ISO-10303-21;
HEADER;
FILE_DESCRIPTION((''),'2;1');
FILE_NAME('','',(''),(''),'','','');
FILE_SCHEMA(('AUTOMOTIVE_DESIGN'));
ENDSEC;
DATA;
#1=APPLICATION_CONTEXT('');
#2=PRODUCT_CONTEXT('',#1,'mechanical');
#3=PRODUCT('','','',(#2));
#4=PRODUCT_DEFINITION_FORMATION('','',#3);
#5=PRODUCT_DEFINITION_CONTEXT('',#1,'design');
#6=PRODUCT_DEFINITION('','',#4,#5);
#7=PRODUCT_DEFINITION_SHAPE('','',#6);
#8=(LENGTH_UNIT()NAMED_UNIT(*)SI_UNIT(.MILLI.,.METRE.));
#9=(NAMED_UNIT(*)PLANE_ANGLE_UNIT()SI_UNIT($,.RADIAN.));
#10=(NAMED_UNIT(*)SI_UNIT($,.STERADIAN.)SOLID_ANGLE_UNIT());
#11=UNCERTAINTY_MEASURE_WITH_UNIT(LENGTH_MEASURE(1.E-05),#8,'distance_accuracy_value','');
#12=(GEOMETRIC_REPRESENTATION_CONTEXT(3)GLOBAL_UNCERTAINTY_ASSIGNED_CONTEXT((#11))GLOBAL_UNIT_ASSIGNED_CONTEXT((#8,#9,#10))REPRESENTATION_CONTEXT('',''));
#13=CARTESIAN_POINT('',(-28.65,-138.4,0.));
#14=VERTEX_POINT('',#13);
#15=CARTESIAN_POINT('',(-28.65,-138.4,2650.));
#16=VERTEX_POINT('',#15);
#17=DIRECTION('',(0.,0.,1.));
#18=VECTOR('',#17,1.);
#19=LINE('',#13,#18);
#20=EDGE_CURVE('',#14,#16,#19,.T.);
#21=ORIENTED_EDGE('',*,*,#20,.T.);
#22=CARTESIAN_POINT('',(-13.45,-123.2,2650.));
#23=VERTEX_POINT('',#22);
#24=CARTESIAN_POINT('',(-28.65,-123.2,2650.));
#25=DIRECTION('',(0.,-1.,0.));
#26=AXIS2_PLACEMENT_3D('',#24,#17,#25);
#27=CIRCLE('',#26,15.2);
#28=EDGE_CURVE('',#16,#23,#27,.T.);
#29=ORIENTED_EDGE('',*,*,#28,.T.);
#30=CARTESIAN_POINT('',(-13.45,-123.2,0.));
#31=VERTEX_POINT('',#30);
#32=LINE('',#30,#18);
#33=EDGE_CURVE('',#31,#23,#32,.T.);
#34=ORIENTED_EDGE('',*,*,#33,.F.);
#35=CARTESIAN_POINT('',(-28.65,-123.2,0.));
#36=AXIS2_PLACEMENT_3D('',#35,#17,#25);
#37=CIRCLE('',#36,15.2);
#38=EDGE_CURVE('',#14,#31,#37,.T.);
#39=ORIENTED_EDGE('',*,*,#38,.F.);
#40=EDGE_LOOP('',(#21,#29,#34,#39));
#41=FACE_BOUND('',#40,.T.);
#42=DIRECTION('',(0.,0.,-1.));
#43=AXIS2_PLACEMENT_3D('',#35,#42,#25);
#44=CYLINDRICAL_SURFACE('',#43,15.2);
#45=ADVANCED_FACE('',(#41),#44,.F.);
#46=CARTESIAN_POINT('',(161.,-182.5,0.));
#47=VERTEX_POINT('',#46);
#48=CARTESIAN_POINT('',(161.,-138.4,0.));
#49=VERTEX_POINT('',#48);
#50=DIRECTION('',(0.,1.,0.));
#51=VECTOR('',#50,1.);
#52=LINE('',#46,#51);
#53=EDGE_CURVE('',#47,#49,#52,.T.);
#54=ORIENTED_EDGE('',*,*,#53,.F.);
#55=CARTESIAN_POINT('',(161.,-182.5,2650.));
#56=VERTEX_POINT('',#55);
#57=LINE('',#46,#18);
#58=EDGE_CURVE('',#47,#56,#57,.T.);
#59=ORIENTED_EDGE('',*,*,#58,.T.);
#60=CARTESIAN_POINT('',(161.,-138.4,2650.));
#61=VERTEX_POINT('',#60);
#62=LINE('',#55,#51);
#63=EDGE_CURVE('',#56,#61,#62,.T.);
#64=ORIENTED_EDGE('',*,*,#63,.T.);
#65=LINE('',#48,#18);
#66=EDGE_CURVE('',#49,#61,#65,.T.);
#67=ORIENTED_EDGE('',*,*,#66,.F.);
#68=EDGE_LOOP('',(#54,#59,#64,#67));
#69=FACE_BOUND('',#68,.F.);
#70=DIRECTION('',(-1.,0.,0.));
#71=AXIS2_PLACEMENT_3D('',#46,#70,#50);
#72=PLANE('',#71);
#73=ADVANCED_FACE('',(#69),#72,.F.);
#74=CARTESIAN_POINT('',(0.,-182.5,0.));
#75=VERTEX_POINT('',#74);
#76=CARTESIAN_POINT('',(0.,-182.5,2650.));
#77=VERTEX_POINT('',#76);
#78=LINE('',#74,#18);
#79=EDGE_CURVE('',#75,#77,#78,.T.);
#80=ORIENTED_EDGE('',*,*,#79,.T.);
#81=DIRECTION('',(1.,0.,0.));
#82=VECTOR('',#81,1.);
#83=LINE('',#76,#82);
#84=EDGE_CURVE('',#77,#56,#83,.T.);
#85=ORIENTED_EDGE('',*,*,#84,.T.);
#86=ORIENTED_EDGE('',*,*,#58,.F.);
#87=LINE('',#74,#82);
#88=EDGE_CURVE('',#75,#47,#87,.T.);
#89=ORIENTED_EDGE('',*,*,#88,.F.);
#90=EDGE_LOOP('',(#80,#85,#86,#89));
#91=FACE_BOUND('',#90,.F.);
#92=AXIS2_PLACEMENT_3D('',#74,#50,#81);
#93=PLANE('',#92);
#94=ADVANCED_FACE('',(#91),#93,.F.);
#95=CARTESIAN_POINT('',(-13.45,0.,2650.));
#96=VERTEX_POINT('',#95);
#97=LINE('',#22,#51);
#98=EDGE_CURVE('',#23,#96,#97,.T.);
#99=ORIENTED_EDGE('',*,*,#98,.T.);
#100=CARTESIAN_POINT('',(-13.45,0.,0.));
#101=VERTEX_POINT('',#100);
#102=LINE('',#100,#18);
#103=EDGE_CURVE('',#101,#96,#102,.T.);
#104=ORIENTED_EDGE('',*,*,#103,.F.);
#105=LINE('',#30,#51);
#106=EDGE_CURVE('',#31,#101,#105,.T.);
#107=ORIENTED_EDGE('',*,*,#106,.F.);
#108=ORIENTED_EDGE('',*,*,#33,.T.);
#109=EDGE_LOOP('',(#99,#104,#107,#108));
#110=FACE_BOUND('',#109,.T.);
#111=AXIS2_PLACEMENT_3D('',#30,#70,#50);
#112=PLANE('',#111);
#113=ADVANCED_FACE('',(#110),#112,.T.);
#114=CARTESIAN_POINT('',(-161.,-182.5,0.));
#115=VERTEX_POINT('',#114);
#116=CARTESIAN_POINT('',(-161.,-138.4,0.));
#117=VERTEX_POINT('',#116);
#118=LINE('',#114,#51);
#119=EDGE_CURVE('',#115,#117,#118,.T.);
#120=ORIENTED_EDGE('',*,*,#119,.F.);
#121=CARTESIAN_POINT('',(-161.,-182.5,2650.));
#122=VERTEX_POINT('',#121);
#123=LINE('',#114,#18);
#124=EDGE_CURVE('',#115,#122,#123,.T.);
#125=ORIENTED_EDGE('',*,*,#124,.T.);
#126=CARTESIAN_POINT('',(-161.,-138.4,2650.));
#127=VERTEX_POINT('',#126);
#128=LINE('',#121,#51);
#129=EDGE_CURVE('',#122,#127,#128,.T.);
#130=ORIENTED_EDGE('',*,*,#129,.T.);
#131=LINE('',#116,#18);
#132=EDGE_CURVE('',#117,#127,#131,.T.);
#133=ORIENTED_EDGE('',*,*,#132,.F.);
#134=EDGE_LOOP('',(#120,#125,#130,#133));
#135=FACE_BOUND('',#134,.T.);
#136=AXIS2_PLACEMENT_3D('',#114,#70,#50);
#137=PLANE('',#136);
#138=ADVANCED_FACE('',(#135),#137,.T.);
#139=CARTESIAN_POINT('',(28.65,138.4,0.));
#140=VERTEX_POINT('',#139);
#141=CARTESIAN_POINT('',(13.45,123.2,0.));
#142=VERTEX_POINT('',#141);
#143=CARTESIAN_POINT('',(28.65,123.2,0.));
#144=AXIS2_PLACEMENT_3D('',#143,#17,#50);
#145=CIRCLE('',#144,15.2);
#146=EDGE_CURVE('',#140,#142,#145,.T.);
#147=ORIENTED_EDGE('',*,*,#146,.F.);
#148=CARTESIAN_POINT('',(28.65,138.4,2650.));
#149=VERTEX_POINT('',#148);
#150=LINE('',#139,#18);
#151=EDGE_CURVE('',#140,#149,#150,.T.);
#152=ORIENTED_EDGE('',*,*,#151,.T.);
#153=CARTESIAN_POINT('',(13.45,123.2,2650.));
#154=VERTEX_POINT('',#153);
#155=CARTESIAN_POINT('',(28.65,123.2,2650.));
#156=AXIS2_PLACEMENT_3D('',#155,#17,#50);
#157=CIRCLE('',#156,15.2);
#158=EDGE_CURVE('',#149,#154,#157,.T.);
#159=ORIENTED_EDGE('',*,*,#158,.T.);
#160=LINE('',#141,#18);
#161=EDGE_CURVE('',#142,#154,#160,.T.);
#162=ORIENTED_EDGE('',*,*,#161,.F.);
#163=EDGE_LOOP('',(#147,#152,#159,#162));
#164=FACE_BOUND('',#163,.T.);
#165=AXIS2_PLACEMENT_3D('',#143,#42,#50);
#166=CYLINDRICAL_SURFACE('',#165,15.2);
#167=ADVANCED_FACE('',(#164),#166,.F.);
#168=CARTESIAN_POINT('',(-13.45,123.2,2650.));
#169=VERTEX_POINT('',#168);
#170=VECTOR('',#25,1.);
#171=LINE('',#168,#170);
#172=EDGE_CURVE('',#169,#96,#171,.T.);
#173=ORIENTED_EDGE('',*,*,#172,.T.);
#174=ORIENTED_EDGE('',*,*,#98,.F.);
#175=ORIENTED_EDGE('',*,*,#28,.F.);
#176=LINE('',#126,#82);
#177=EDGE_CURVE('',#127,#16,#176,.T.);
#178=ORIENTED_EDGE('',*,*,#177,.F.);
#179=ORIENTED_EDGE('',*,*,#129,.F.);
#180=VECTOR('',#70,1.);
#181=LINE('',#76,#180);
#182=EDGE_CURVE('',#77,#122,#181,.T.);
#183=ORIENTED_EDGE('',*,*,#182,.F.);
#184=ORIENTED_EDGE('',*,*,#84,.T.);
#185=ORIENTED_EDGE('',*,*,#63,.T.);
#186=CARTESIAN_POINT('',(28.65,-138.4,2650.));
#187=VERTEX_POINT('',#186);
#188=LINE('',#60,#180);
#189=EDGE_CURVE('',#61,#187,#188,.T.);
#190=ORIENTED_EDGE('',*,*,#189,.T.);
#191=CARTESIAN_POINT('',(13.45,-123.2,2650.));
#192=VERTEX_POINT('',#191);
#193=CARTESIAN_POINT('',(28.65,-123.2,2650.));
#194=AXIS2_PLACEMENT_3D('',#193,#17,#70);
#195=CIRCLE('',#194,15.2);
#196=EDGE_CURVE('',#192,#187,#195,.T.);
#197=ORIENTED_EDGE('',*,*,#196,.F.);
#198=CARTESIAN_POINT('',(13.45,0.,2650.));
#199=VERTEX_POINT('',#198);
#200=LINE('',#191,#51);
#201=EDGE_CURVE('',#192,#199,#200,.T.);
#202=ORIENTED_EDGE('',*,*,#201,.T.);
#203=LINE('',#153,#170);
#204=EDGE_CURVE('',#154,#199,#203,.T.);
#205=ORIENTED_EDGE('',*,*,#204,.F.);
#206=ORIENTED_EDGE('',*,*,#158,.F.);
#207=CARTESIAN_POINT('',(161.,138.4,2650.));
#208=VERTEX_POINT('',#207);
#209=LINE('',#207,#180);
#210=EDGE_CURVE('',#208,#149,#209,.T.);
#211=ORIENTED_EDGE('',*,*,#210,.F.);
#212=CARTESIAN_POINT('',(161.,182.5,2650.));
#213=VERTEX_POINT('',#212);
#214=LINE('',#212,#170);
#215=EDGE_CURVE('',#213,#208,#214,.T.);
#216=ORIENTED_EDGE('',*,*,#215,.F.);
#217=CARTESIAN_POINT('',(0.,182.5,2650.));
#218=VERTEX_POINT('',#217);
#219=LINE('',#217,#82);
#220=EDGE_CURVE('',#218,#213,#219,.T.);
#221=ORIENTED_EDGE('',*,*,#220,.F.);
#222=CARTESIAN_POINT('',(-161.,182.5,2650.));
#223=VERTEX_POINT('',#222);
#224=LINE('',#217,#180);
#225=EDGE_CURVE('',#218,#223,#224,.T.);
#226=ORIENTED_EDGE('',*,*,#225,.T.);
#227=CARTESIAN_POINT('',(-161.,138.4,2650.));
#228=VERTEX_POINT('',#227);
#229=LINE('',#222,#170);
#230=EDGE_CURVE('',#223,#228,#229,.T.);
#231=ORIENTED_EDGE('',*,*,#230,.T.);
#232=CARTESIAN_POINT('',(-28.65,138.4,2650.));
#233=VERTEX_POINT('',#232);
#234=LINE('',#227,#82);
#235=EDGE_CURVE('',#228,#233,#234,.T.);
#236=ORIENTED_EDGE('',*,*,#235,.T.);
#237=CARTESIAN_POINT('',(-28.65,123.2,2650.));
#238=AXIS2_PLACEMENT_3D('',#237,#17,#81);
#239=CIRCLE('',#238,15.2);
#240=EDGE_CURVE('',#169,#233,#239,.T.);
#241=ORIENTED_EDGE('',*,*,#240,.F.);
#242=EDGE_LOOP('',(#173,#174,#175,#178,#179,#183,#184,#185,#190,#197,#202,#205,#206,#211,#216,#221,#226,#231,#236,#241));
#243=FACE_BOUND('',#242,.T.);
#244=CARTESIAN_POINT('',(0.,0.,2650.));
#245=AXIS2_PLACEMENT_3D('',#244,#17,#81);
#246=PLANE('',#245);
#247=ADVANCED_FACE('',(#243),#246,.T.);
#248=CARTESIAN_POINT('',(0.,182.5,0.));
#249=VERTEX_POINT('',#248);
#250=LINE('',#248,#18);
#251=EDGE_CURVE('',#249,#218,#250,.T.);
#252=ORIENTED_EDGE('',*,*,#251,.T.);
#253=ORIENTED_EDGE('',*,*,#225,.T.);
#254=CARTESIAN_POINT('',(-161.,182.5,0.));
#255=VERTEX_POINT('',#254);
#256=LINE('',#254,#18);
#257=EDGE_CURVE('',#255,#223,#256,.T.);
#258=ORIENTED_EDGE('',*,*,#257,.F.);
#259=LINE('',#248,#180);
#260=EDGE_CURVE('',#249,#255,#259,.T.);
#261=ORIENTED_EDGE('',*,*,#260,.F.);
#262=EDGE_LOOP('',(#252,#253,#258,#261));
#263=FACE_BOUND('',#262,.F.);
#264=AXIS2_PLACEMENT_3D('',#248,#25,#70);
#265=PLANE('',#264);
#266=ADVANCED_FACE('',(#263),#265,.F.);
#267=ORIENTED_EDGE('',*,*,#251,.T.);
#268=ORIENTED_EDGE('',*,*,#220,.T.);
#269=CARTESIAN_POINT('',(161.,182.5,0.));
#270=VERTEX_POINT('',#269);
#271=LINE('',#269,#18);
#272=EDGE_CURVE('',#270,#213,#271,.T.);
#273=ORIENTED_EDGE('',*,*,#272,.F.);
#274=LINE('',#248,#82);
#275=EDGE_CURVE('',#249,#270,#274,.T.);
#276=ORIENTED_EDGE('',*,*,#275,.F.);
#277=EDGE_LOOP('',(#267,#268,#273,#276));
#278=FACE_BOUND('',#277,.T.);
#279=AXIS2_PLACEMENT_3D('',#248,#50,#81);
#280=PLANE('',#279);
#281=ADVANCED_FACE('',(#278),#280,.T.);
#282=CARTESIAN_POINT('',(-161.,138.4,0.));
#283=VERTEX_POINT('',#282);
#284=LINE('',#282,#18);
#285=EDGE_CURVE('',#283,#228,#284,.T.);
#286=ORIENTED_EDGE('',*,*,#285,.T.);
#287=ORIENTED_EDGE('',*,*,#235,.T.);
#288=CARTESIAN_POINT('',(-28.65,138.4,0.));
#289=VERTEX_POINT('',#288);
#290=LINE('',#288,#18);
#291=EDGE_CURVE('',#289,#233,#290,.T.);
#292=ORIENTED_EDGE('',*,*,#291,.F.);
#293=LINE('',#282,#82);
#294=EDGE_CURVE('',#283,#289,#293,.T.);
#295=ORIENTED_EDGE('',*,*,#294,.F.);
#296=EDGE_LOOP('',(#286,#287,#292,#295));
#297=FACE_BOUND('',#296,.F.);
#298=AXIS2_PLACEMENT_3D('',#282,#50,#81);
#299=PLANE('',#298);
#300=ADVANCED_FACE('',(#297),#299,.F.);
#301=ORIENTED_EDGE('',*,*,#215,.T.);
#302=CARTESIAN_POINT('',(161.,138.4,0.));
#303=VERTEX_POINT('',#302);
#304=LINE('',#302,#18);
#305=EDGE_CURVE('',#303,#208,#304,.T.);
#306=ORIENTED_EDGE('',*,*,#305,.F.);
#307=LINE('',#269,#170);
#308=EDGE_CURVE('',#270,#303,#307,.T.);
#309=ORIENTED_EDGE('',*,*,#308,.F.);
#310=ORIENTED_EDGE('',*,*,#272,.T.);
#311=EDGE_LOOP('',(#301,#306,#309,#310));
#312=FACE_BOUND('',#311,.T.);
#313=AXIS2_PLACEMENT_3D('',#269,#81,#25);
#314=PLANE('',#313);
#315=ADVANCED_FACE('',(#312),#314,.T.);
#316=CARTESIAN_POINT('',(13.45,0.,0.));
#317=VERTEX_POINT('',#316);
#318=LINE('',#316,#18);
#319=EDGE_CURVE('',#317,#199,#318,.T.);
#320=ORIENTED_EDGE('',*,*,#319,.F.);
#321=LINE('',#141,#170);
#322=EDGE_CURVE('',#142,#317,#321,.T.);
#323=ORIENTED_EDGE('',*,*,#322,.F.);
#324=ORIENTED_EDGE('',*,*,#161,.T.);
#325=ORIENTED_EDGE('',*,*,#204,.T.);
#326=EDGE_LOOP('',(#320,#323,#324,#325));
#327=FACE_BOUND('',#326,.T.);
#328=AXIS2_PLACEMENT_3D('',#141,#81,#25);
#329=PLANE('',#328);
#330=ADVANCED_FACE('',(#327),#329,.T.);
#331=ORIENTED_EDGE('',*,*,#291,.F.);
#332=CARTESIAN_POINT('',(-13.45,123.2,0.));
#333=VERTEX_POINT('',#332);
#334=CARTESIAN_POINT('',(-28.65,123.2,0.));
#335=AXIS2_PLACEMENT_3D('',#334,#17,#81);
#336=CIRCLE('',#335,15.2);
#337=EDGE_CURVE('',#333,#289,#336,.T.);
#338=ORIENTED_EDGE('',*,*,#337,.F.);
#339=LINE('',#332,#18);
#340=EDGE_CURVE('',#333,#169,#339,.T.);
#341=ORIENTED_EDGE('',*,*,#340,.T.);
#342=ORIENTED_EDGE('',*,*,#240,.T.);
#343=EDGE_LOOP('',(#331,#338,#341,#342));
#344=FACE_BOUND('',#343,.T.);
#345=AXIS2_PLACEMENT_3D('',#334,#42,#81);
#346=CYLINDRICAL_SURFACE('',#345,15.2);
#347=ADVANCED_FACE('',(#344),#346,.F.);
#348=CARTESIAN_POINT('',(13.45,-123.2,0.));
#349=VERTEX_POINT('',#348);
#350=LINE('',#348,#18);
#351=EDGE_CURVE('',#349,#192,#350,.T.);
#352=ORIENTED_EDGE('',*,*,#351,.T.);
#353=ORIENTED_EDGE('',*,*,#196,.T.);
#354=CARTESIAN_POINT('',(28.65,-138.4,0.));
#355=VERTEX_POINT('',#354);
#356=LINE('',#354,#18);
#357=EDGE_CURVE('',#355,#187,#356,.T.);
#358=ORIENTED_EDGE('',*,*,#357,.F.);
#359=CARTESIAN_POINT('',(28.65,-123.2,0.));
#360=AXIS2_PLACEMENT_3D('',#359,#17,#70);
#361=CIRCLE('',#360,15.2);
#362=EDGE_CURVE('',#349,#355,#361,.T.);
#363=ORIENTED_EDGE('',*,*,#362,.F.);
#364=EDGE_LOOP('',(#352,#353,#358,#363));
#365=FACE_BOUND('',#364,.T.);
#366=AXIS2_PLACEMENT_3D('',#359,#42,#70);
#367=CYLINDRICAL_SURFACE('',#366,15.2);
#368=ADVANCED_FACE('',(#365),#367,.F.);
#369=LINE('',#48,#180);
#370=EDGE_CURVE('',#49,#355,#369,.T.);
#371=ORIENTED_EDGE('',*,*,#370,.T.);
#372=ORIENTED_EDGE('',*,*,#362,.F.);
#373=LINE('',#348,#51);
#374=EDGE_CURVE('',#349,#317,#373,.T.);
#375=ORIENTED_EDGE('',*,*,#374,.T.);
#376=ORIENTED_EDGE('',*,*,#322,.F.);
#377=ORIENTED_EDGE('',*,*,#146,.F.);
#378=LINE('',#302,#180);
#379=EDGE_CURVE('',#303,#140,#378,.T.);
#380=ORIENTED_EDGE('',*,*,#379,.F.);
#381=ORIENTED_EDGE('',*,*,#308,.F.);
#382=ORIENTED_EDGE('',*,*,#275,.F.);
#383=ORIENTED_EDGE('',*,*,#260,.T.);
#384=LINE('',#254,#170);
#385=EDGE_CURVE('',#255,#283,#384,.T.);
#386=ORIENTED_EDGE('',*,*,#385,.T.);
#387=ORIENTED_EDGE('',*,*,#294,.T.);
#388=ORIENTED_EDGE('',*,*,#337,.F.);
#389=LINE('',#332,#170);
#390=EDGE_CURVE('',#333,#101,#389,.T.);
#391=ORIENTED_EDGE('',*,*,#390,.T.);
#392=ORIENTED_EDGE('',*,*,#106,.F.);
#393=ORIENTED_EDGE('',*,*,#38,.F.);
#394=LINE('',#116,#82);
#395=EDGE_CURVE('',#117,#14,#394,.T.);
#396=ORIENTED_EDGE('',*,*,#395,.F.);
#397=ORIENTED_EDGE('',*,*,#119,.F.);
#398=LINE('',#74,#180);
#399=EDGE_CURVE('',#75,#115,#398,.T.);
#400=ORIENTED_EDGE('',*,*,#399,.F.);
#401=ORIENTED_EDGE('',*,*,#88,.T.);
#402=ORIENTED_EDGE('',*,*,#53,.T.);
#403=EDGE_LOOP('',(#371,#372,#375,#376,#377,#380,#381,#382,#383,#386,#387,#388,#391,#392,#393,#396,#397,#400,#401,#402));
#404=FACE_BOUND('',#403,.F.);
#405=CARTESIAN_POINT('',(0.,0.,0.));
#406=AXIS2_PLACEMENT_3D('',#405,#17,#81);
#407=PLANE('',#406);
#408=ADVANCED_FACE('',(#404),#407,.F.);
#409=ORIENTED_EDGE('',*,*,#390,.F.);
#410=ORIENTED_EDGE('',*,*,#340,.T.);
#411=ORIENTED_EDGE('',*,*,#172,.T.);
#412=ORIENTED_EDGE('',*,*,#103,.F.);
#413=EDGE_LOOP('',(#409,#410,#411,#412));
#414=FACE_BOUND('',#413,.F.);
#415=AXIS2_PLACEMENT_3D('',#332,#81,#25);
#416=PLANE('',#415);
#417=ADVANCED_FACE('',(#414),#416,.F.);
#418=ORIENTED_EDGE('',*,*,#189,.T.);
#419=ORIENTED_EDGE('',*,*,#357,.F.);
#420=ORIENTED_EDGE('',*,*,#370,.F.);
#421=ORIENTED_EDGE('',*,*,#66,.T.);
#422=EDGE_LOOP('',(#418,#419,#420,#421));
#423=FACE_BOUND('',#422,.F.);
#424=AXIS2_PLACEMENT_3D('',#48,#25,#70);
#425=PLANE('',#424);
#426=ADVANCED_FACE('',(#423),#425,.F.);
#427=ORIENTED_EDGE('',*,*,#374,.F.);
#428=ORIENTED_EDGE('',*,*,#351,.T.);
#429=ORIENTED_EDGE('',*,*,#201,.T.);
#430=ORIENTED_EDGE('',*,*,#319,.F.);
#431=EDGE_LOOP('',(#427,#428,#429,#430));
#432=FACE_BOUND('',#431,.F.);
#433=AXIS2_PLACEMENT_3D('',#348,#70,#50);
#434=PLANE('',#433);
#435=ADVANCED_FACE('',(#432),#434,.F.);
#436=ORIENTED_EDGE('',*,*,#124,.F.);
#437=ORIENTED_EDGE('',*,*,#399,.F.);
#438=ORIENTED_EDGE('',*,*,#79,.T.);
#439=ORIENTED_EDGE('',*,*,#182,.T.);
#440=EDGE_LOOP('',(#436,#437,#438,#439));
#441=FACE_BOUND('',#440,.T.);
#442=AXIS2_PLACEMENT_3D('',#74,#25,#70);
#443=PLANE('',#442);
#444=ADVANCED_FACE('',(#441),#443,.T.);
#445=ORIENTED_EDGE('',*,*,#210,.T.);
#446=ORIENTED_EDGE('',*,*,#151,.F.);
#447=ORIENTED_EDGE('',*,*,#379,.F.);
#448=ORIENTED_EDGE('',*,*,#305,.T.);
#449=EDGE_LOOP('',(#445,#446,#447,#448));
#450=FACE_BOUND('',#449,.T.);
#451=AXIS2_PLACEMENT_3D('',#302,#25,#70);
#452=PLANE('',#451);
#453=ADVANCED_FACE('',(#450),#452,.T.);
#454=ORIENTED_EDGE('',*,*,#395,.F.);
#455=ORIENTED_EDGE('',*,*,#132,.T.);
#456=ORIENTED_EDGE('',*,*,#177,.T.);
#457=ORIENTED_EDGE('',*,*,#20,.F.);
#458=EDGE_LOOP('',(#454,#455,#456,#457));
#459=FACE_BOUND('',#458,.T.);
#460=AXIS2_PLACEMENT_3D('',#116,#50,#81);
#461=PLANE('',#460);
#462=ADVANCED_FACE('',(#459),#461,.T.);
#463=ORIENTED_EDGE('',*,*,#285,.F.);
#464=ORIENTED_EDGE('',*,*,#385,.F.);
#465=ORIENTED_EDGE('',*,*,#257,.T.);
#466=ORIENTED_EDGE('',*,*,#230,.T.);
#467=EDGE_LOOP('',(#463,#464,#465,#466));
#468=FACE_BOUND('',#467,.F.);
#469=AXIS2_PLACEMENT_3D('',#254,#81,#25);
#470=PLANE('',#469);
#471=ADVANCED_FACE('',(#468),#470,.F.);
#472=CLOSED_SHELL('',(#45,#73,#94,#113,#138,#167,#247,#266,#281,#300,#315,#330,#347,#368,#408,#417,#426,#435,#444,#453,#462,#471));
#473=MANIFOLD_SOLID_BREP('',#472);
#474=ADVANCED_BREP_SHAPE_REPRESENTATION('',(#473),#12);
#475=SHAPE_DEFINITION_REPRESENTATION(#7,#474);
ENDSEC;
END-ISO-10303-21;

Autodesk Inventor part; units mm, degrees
ref_plane "YZ Plane" through (0, 0, 0) normal (1, 0, 0) x (0, 1, 0)
ref_plane "Start plane" through (0, 0, 0) normal (0, 0, 1) x (1, 0, 0)
ref_plane "End plane" through (0, 0, 2650) normal (0, 0, 1) x (1, 0, 0)
sketch "Sketch" plane through (0, 0, 0) normal (0, 0, 1) x (1, 0, 0)
  line L0 (-161, -182.5) -> (-161, -138.4)
  line L1 (-161, -138.4) -> (-28.65, -138.4)
  line L2 (-13.45, -123.2) -> (-13.45, 0)
  line L3 (-13.45, 0) -> (0, 0) construction
  line L4 (0, 0) -> (0, -182.5) construction
  line L5 (0, -182.5) -> (-161, -182.5)
  line L6 (-60, 0) -> (80, 0) construction
  line L7 (0, -60) -> (0, 80) construction
  line L8 (161, -182.5) -> (161, -138.4)
  line L9 (161, -138.4) -> (28.65, -138.4)
  line L10 (13.45, -123.2) -> (13.45, 0)
  line L11 (13.45, 0) -> (0, 0) construction
  line L12 (0, -182.5) -> (161, -182.5)
  line L13 (-161, 182.5) -> (-161, 138.4)
  line L14 (-161, 138.4) -> (-28.65, 138.4)
  line L15 (-13.45, 123.2) -> (-13.45, 0)
  line L16 (0, 182.5) -> (-161, 182.5)
  line L17 (161, 182.5) -> (161, 138.4)
  line L18 (161, 138.4) -> (28.65, 138.4)
  line L19 (0, 182.5) -> (161, 182.5)
  line L20 (13.45, 123.2) -> (13.45, 0)
  arc A0 (-13.45, 123.2) -> (-28.65, 138.4) centre (-28.65, 123.2) ccw
  arc A1 (28.65, 138.4) -> (13.45, 123.2) centre (28.65, 123.2) ccw
  arc A2 (13.45, -123.2) -> (28.65, -138.4) centre (28.65, -123.2) ccw
  arc A3 (-28.65, -138.4) -> (-13.45, -123.2) centre (-28.65, -123.2) ccw
  line L21 (0, 108) -> (0, -88) construction
  line L22 (-88, 0) -> (108, 0) construction
  point P0 (-13.45, -138.4)
  point P1 (13.45, -138.4)
  point P2 (-13.45, 138.4)
  point P3 (13.45, 138.4)
  dimension "d1" = 182.5
  dimension "d2" = 44.1
  dimension "d3" = 161
  dimension "d4" = 13.45
  dimension "d10" = 15.2
extrude "Body" add sketch "Sketch" along normal up to surface (2650 mm away) from surface at 0
sketch "Sketch4" plane through (0, 0, 0) normal (0, 0, 1) x (1, 0, 0)
  line L0 (0, 0) -> (10, 0)
ref_plane "Work Plane3" through (0, 0, 0) normal (0, -1, 0) x (1, 0, 0)
sketch "Sketch5" plane through (0, 0, 0) normal (0, -1, 0) x (1, 0, 0)
  line L0 (-2, 0) -> (12, 0) projected
  line L1 (-2, 2650) -> (12, 2650) projected
  dimension "d14" = 2650
equation "\"d1\" = 0.5 * G_H"
equation "\"d2\" = G_T1"
equation "\"d3\" = 0.5 * G_W"
equation "\"d4\" = 0.5 * G_T"
equation "\"d10\" = G_IR"
equation "\"d5\" = G_L"
equation "\"G_W\" = 322"
equation "\"G_H\" = 365"
equation "\"G_T\" = 26.9"
equation "\"G_T1\" = 44.1"
equation "\"G_IR\" = 15.2"
equation "\"G_L\" = d14"
equation "\"G_OFFSET_START\" = 0"
equation "\"G_OFFSET_END\" = 0"
properties part number "AS 3679 - 310 UC - 283 - 2650" material "Steel, Mild"
